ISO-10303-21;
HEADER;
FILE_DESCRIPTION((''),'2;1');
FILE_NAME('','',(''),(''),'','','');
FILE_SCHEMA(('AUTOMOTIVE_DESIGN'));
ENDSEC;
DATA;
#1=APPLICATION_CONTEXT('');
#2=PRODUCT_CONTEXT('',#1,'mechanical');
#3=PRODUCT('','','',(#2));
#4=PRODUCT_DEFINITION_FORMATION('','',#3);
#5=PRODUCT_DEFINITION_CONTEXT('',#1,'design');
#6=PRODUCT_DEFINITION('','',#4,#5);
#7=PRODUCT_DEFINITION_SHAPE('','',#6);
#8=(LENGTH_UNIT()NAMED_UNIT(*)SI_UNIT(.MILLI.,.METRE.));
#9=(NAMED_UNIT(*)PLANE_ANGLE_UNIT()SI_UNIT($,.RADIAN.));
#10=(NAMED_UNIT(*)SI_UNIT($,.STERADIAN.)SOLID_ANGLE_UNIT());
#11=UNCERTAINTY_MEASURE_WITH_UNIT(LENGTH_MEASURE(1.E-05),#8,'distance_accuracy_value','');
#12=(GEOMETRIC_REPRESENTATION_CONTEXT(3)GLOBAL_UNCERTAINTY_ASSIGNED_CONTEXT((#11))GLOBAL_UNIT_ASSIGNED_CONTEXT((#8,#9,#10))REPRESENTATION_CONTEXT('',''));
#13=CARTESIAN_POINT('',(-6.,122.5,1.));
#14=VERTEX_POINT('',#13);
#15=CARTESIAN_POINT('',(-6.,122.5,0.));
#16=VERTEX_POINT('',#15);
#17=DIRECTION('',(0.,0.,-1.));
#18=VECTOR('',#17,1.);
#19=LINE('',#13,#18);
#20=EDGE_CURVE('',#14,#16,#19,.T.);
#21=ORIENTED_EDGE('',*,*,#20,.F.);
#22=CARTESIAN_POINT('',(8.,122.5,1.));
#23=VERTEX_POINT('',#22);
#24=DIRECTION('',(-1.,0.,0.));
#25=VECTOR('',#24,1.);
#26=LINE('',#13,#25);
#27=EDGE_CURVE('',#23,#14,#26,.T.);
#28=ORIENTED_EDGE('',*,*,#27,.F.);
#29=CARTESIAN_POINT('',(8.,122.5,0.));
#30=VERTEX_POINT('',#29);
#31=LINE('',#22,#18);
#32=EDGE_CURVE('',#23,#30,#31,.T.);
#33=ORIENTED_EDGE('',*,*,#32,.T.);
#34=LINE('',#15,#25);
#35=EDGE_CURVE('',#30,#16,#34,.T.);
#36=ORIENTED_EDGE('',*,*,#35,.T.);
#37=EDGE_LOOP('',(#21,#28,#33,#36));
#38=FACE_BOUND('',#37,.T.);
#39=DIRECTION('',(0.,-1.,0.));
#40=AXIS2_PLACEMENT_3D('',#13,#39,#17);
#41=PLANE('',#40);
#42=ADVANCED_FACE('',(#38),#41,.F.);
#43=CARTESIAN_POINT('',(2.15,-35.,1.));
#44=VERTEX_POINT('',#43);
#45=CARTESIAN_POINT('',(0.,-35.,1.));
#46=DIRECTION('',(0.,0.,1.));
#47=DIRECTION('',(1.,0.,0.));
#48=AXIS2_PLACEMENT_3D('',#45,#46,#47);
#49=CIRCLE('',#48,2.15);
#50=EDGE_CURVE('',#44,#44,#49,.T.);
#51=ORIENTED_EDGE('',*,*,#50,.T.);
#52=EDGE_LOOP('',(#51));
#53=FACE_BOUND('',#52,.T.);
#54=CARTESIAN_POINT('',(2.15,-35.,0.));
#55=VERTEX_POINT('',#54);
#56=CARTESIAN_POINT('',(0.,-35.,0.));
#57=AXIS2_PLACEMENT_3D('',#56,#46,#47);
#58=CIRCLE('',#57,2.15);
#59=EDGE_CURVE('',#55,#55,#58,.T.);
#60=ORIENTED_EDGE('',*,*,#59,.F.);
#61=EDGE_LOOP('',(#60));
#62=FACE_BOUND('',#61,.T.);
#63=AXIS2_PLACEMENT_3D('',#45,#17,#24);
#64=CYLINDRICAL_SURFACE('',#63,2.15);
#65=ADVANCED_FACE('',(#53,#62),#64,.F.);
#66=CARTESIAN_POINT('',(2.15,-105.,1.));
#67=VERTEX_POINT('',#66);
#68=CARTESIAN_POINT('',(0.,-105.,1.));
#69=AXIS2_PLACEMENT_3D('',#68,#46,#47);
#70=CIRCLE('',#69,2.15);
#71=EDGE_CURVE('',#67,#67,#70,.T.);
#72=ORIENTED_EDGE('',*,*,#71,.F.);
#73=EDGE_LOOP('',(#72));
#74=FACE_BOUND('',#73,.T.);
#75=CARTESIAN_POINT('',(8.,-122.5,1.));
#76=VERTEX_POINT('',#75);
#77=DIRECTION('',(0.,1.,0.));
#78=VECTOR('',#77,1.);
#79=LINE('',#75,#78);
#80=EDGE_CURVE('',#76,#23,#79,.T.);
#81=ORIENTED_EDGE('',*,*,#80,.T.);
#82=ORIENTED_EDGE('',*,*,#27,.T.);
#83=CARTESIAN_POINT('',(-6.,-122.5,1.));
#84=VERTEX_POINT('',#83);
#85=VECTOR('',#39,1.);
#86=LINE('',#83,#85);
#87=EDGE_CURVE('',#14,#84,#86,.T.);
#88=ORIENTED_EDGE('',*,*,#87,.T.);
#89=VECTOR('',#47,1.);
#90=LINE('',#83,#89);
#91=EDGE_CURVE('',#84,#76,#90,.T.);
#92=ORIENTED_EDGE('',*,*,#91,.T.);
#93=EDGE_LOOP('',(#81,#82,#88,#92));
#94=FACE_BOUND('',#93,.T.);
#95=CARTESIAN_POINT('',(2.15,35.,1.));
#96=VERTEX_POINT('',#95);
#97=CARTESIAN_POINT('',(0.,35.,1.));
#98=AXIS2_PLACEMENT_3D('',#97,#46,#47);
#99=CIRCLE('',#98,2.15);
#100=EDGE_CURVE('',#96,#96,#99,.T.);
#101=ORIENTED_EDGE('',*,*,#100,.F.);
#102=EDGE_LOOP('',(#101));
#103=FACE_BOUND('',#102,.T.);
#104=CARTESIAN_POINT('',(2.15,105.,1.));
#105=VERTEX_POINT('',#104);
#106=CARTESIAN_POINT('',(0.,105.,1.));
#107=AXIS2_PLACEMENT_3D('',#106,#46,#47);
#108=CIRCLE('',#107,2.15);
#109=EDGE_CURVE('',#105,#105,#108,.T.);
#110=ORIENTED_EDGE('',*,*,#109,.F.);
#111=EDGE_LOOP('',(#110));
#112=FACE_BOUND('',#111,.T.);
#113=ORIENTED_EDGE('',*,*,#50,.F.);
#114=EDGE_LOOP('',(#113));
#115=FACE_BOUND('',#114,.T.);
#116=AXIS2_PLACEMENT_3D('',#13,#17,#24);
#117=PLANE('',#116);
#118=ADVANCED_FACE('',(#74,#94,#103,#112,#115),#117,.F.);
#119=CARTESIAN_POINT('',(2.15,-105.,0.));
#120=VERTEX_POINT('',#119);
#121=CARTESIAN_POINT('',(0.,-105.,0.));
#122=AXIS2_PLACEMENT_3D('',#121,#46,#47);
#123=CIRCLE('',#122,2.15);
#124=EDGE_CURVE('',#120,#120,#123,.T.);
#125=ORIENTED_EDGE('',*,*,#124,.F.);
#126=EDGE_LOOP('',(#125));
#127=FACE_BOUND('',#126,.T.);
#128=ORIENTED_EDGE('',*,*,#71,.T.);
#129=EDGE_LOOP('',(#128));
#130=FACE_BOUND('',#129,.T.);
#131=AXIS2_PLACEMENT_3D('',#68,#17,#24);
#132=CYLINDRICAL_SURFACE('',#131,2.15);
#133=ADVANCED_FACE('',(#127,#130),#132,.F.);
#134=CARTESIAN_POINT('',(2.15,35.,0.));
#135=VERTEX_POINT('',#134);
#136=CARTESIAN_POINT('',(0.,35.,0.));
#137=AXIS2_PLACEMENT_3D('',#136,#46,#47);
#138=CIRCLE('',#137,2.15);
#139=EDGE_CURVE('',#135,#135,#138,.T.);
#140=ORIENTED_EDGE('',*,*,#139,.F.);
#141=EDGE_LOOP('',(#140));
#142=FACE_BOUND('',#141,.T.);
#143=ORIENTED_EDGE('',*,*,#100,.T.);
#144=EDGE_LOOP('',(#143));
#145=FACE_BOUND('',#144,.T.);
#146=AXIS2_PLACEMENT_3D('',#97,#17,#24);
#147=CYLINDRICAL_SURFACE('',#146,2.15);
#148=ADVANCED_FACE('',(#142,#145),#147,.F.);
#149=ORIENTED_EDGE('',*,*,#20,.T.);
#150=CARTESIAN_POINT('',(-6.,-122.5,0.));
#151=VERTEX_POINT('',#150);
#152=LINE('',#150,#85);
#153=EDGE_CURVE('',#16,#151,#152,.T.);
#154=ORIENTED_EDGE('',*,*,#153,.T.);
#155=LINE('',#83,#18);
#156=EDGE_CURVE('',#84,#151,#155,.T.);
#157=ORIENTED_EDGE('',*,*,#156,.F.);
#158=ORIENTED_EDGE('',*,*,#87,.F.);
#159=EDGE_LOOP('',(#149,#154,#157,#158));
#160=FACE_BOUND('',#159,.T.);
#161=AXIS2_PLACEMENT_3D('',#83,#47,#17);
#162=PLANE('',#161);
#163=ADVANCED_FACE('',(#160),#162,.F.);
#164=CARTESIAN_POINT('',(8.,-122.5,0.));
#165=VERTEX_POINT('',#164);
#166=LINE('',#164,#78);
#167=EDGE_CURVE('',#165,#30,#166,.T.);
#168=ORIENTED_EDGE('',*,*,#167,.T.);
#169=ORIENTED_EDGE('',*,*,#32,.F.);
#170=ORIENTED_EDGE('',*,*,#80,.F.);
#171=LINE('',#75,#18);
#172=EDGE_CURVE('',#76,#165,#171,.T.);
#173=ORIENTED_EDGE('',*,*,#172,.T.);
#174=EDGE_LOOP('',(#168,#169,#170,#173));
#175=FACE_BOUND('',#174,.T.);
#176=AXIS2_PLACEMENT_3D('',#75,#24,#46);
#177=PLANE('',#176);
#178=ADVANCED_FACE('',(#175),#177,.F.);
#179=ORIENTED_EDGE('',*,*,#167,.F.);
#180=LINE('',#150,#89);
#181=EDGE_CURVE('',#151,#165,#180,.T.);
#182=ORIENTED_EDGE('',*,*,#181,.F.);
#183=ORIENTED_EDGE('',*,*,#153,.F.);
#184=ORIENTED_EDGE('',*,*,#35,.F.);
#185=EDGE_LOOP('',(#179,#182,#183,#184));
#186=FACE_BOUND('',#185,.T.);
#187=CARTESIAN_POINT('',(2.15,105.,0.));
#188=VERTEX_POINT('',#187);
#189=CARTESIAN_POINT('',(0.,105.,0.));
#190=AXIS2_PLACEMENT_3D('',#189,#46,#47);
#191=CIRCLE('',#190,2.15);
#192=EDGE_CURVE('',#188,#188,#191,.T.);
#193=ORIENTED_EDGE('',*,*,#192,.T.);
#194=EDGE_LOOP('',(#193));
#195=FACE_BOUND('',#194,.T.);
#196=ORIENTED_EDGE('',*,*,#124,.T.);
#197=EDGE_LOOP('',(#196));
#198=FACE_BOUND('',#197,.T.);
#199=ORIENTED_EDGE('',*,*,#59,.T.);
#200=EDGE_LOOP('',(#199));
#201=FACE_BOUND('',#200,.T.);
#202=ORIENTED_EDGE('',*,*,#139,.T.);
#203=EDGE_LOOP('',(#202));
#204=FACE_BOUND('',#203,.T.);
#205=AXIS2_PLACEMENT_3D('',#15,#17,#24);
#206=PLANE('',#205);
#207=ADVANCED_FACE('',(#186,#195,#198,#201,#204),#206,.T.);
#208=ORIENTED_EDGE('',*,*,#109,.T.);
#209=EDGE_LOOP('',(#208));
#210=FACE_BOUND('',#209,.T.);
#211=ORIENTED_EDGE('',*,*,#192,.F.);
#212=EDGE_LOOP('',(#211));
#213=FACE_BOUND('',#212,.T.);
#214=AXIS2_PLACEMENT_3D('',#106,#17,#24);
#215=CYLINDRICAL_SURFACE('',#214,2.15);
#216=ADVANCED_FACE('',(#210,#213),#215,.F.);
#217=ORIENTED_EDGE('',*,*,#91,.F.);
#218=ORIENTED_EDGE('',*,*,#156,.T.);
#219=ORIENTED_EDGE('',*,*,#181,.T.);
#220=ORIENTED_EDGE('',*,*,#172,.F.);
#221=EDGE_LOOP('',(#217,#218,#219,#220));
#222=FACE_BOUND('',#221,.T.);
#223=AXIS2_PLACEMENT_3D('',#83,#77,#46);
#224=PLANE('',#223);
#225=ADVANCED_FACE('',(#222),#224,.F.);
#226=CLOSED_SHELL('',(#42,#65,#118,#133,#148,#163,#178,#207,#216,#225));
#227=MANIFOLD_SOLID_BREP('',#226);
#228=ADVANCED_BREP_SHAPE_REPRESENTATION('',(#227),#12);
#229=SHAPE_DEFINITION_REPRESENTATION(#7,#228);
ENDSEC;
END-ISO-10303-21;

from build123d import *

# Parameters (mm, degrees)
SKETCH_1_W      = 14
SKETCH_1_H      = 245
SKETCH_1_R      = 2.15
EXTRUDE_1_DEPTH = 1


with BuildPart() as part:
    # Эскиз1 → Вытянуть1 (new body)
    with BuildSketch(Plane.XY):
        with Locations((1, 0)):
            Rectangle(SKETCH_1_W, SKETCH_1_H)
        with Locations((0, -105)):
            Circle(SKETCH_1_R, mode=Mode.SUBTRACT)
        with Locations((0, -35)):
            Circle(SKETCH_1_R, mode=Mode.SUBTRACT)
        with Locations((0, 35)):
            Circle(SKETCH_1_R, mode=Mode.SUBTRACT)
        with Locations((0, 105)):
            Circle(SKETCH_1_R, mode=Mode.SUBTRACT)
    extrude(amount=EXTRUDE_1_DEPTH)


solid = part.part
